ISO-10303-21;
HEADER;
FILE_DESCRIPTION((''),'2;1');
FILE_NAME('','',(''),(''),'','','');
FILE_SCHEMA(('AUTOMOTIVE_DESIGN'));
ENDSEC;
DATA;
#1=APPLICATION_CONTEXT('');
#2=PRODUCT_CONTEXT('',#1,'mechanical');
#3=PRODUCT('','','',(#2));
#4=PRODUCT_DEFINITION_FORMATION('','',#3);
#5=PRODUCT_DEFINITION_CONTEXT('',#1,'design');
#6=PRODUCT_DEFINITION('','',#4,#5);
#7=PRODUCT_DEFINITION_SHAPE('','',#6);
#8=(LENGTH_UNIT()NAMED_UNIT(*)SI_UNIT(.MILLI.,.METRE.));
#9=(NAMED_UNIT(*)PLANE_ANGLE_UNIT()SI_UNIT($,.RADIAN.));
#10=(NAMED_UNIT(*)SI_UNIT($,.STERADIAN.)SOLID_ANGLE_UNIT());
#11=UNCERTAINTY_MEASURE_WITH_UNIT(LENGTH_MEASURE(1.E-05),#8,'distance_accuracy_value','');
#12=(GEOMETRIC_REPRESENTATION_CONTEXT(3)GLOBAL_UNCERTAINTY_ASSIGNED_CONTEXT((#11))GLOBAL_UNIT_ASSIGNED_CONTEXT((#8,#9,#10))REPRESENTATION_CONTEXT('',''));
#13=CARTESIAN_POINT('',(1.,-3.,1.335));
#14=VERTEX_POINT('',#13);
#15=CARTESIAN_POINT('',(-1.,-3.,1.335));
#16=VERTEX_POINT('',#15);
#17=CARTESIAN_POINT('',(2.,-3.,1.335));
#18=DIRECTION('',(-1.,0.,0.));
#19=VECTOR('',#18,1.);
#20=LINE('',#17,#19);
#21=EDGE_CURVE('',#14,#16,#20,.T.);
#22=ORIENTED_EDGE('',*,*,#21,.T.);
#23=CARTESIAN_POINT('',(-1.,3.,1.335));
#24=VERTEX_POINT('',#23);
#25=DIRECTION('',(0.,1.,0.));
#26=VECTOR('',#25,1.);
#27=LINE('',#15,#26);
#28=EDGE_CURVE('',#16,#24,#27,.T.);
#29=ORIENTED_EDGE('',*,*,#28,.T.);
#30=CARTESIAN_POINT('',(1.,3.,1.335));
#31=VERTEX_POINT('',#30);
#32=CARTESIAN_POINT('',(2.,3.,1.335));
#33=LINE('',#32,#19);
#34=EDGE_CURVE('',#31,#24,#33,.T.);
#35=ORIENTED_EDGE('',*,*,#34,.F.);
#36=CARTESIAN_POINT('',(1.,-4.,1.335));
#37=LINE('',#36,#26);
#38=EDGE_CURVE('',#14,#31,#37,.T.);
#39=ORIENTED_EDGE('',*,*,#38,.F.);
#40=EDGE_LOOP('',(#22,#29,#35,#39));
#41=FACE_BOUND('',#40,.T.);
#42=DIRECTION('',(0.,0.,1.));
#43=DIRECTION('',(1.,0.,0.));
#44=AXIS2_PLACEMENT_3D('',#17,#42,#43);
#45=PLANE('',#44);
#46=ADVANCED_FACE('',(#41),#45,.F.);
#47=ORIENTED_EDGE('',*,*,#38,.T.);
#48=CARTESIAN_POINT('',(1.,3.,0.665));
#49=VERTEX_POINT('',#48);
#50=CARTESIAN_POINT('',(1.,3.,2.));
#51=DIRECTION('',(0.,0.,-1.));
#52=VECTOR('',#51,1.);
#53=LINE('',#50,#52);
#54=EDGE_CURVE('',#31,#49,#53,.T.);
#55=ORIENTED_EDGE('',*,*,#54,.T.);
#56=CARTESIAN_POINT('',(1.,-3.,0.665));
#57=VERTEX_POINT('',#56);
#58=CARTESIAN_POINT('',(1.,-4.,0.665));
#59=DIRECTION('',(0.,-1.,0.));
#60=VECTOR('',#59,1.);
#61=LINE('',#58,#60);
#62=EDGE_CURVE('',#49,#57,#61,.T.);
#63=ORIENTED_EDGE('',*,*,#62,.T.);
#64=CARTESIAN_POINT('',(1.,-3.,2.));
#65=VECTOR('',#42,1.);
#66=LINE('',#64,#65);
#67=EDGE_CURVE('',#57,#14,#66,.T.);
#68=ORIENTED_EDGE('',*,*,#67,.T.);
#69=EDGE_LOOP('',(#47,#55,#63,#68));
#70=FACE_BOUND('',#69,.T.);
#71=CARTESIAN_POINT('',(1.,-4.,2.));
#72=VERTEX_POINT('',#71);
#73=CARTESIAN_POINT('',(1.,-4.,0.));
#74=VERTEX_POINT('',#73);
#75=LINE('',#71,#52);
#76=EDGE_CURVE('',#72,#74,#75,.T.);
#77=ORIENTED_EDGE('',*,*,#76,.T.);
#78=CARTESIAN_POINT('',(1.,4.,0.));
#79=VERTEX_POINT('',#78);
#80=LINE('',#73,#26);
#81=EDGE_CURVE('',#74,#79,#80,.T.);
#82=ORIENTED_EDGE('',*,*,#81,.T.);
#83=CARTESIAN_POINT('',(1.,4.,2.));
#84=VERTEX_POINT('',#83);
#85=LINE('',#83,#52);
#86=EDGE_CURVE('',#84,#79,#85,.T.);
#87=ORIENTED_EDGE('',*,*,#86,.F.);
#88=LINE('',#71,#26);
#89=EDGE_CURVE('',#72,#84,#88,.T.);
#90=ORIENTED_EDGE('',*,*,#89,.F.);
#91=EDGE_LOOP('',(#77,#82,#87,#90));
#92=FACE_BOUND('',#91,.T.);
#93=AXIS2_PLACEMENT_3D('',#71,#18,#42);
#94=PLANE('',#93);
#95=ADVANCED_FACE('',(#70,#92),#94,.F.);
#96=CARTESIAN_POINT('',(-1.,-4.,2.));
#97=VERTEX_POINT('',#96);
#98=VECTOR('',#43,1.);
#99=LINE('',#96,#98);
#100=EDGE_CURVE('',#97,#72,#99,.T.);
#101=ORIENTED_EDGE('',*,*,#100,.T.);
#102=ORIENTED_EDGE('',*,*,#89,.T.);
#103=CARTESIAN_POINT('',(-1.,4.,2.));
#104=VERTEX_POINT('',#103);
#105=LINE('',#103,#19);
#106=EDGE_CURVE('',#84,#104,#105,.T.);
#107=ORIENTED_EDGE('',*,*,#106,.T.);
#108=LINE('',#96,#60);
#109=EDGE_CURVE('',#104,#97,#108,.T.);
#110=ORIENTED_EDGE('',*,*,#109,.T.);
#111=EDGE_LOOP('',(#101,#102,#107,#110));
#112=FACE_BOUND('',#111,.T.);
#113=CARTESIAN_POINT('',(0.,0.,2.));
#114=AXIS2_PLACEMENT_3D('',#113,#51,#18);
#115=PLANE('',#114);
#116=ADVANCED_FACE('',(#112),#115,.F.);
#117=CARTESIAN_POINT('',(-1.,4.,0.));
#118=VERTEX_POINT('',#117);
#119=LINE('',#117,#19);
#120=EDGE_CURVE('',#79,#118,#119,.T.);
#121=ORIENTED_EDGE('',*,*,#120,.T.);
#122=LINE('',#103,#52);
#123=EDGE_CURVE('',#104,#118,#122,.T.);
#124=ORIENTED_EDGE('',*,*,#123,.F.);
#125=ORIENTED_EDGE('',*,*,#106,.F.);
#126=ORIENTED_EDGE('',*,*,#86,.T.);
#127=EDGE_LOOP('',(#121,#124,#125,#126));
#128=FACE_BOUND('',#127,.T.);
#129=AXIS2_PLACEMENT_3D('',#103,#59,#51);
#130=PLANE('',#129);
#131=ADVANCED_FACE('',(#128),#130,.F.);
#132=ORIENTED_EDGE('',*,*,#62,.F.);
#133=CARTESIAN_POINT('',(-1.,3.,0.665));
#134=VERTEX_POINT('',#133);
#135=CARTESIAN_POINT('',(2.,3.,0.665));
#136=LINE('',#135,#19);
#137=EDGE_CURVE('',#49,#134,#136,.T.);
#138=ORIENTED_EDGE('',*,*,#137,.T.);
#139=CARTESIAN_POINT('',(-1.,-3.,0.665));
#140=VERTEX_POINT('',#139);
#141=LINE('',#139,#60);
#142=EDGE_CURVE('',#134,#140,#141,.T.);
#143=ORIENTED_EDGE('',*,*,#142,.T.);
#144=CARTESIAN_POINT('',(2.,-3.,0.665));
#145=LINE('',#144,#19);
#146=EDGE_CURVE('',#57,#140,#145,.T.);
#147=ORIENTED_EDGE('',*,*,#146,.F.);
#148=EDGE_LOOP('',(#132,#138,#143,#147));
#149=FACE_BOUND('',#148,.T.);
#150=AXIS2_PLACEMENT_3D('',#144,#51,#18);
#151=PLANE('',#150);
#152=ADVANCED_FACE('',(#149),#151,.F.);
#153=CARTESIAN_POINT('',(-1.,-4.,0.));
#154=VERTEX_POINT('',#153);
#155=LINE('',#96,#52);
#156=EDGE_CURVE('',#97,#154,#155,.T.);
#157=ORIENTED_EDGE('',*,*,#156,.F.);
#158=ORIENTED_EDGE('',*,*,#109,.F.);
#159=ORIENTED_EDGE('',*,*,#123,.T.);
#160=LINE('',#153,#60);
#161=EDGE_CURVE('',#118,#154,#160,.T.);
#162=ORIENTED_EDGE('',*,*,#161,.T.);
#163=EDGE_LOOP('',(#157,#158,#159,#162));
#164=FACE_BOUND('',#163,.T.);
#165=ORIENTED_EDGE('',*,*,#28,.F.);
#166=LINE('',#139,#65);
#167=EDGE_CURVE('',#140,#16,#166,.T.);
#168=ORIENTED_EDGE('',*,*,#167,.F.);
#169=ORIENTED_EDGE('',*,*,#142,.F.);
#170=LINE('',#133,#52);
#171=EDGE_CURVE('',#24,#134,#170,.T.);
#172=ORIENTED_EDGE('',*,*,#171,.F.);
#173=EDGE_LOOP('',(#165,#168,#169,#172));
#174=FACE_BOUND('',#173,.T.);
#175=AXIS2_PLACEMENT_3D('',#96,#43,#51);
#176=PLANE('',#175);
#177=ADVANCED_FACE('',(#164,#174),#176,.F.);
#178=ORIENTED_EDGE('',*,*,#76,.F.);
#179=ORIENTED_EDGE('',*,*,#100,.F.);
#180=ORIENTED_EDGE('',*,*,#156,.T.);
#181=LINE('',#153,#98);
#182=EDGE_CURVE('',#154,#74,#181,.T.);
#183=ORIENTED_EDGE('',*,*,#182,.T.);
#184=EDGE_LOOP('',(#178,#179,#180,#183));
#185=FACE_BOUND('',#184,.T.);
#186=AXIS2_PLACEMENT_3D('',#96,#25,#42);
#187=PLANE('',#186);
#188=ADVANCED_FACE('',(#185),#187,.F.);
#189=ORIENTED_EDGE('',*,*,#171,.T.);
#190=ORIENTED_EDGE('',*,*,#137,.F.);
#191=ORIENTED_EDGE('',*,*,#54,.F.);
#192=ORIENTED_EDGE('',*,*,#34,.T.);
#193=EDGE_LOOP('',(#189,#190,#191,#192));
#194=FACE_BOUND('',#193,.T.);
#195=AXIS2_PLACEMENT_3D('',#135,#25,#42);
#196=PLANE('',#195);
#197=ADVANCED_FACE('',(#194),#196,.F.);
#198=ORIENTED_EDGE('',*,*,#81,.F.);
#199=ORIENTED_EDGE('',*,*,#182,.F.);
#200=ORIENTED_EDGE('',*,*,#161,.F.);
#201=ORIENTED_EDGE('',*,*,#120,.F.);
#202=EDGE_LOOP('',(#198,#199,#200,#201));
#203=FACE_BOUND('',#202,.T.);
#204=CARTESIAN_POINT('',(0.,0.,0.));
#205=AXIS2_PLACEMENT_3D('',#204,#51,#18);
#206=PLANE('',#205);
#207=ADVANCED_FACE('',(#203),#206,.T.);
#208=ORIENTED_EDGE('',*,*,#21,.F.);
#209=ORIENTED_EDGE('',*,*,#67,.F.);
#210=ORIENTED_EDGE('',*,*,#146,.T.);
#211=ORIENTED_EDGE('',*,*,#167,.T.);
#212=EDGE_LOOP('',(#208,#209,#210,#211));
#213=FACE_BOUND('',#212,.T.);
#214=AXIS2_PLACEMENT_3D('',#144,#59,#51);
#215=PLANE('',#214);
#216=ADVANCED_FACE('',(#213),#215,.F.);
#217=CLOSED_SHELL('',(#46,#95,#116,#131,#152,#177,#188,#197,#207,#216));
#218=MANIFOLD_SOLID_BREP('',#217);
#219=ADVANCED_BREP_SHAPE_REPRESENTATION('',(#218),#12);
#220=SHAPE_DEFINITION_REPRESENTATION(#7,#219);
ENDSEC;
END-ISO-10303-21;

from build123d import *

# Parameters (mm, degrees)
SKETCH1_W           = 2
SKETCH1_H           = 8
BOSS_EXTRUDE1_DEPTH = 2
SKETCH2_W           = 0.67
SKETCH2_H           = 6
CUT_EXTRUDE1_DEPTH  = 3


with BuildPart() as part:
    # Sketch1 → Boss-Extrude1 (new body)
    with BuildSketch(Plane.XY):
        Rectangle(SKETCH1_W, SKETCH1_H)
    extrude(amount=BOSS_EXTRUDE1_DEPTH)

    # Sketch2 → Cut-Extrude1 (cut)
    with BuildSketch(Plane.ZY.offset(1)):
        with Locations((1, 0)):
            Rectangle(SKETCH2_W, SKETCH2_H)
    extrude(amount=-CUT_EXTRUDE1_DEPTH, mode=Mode.SUBTRACT)


solid = part.part
